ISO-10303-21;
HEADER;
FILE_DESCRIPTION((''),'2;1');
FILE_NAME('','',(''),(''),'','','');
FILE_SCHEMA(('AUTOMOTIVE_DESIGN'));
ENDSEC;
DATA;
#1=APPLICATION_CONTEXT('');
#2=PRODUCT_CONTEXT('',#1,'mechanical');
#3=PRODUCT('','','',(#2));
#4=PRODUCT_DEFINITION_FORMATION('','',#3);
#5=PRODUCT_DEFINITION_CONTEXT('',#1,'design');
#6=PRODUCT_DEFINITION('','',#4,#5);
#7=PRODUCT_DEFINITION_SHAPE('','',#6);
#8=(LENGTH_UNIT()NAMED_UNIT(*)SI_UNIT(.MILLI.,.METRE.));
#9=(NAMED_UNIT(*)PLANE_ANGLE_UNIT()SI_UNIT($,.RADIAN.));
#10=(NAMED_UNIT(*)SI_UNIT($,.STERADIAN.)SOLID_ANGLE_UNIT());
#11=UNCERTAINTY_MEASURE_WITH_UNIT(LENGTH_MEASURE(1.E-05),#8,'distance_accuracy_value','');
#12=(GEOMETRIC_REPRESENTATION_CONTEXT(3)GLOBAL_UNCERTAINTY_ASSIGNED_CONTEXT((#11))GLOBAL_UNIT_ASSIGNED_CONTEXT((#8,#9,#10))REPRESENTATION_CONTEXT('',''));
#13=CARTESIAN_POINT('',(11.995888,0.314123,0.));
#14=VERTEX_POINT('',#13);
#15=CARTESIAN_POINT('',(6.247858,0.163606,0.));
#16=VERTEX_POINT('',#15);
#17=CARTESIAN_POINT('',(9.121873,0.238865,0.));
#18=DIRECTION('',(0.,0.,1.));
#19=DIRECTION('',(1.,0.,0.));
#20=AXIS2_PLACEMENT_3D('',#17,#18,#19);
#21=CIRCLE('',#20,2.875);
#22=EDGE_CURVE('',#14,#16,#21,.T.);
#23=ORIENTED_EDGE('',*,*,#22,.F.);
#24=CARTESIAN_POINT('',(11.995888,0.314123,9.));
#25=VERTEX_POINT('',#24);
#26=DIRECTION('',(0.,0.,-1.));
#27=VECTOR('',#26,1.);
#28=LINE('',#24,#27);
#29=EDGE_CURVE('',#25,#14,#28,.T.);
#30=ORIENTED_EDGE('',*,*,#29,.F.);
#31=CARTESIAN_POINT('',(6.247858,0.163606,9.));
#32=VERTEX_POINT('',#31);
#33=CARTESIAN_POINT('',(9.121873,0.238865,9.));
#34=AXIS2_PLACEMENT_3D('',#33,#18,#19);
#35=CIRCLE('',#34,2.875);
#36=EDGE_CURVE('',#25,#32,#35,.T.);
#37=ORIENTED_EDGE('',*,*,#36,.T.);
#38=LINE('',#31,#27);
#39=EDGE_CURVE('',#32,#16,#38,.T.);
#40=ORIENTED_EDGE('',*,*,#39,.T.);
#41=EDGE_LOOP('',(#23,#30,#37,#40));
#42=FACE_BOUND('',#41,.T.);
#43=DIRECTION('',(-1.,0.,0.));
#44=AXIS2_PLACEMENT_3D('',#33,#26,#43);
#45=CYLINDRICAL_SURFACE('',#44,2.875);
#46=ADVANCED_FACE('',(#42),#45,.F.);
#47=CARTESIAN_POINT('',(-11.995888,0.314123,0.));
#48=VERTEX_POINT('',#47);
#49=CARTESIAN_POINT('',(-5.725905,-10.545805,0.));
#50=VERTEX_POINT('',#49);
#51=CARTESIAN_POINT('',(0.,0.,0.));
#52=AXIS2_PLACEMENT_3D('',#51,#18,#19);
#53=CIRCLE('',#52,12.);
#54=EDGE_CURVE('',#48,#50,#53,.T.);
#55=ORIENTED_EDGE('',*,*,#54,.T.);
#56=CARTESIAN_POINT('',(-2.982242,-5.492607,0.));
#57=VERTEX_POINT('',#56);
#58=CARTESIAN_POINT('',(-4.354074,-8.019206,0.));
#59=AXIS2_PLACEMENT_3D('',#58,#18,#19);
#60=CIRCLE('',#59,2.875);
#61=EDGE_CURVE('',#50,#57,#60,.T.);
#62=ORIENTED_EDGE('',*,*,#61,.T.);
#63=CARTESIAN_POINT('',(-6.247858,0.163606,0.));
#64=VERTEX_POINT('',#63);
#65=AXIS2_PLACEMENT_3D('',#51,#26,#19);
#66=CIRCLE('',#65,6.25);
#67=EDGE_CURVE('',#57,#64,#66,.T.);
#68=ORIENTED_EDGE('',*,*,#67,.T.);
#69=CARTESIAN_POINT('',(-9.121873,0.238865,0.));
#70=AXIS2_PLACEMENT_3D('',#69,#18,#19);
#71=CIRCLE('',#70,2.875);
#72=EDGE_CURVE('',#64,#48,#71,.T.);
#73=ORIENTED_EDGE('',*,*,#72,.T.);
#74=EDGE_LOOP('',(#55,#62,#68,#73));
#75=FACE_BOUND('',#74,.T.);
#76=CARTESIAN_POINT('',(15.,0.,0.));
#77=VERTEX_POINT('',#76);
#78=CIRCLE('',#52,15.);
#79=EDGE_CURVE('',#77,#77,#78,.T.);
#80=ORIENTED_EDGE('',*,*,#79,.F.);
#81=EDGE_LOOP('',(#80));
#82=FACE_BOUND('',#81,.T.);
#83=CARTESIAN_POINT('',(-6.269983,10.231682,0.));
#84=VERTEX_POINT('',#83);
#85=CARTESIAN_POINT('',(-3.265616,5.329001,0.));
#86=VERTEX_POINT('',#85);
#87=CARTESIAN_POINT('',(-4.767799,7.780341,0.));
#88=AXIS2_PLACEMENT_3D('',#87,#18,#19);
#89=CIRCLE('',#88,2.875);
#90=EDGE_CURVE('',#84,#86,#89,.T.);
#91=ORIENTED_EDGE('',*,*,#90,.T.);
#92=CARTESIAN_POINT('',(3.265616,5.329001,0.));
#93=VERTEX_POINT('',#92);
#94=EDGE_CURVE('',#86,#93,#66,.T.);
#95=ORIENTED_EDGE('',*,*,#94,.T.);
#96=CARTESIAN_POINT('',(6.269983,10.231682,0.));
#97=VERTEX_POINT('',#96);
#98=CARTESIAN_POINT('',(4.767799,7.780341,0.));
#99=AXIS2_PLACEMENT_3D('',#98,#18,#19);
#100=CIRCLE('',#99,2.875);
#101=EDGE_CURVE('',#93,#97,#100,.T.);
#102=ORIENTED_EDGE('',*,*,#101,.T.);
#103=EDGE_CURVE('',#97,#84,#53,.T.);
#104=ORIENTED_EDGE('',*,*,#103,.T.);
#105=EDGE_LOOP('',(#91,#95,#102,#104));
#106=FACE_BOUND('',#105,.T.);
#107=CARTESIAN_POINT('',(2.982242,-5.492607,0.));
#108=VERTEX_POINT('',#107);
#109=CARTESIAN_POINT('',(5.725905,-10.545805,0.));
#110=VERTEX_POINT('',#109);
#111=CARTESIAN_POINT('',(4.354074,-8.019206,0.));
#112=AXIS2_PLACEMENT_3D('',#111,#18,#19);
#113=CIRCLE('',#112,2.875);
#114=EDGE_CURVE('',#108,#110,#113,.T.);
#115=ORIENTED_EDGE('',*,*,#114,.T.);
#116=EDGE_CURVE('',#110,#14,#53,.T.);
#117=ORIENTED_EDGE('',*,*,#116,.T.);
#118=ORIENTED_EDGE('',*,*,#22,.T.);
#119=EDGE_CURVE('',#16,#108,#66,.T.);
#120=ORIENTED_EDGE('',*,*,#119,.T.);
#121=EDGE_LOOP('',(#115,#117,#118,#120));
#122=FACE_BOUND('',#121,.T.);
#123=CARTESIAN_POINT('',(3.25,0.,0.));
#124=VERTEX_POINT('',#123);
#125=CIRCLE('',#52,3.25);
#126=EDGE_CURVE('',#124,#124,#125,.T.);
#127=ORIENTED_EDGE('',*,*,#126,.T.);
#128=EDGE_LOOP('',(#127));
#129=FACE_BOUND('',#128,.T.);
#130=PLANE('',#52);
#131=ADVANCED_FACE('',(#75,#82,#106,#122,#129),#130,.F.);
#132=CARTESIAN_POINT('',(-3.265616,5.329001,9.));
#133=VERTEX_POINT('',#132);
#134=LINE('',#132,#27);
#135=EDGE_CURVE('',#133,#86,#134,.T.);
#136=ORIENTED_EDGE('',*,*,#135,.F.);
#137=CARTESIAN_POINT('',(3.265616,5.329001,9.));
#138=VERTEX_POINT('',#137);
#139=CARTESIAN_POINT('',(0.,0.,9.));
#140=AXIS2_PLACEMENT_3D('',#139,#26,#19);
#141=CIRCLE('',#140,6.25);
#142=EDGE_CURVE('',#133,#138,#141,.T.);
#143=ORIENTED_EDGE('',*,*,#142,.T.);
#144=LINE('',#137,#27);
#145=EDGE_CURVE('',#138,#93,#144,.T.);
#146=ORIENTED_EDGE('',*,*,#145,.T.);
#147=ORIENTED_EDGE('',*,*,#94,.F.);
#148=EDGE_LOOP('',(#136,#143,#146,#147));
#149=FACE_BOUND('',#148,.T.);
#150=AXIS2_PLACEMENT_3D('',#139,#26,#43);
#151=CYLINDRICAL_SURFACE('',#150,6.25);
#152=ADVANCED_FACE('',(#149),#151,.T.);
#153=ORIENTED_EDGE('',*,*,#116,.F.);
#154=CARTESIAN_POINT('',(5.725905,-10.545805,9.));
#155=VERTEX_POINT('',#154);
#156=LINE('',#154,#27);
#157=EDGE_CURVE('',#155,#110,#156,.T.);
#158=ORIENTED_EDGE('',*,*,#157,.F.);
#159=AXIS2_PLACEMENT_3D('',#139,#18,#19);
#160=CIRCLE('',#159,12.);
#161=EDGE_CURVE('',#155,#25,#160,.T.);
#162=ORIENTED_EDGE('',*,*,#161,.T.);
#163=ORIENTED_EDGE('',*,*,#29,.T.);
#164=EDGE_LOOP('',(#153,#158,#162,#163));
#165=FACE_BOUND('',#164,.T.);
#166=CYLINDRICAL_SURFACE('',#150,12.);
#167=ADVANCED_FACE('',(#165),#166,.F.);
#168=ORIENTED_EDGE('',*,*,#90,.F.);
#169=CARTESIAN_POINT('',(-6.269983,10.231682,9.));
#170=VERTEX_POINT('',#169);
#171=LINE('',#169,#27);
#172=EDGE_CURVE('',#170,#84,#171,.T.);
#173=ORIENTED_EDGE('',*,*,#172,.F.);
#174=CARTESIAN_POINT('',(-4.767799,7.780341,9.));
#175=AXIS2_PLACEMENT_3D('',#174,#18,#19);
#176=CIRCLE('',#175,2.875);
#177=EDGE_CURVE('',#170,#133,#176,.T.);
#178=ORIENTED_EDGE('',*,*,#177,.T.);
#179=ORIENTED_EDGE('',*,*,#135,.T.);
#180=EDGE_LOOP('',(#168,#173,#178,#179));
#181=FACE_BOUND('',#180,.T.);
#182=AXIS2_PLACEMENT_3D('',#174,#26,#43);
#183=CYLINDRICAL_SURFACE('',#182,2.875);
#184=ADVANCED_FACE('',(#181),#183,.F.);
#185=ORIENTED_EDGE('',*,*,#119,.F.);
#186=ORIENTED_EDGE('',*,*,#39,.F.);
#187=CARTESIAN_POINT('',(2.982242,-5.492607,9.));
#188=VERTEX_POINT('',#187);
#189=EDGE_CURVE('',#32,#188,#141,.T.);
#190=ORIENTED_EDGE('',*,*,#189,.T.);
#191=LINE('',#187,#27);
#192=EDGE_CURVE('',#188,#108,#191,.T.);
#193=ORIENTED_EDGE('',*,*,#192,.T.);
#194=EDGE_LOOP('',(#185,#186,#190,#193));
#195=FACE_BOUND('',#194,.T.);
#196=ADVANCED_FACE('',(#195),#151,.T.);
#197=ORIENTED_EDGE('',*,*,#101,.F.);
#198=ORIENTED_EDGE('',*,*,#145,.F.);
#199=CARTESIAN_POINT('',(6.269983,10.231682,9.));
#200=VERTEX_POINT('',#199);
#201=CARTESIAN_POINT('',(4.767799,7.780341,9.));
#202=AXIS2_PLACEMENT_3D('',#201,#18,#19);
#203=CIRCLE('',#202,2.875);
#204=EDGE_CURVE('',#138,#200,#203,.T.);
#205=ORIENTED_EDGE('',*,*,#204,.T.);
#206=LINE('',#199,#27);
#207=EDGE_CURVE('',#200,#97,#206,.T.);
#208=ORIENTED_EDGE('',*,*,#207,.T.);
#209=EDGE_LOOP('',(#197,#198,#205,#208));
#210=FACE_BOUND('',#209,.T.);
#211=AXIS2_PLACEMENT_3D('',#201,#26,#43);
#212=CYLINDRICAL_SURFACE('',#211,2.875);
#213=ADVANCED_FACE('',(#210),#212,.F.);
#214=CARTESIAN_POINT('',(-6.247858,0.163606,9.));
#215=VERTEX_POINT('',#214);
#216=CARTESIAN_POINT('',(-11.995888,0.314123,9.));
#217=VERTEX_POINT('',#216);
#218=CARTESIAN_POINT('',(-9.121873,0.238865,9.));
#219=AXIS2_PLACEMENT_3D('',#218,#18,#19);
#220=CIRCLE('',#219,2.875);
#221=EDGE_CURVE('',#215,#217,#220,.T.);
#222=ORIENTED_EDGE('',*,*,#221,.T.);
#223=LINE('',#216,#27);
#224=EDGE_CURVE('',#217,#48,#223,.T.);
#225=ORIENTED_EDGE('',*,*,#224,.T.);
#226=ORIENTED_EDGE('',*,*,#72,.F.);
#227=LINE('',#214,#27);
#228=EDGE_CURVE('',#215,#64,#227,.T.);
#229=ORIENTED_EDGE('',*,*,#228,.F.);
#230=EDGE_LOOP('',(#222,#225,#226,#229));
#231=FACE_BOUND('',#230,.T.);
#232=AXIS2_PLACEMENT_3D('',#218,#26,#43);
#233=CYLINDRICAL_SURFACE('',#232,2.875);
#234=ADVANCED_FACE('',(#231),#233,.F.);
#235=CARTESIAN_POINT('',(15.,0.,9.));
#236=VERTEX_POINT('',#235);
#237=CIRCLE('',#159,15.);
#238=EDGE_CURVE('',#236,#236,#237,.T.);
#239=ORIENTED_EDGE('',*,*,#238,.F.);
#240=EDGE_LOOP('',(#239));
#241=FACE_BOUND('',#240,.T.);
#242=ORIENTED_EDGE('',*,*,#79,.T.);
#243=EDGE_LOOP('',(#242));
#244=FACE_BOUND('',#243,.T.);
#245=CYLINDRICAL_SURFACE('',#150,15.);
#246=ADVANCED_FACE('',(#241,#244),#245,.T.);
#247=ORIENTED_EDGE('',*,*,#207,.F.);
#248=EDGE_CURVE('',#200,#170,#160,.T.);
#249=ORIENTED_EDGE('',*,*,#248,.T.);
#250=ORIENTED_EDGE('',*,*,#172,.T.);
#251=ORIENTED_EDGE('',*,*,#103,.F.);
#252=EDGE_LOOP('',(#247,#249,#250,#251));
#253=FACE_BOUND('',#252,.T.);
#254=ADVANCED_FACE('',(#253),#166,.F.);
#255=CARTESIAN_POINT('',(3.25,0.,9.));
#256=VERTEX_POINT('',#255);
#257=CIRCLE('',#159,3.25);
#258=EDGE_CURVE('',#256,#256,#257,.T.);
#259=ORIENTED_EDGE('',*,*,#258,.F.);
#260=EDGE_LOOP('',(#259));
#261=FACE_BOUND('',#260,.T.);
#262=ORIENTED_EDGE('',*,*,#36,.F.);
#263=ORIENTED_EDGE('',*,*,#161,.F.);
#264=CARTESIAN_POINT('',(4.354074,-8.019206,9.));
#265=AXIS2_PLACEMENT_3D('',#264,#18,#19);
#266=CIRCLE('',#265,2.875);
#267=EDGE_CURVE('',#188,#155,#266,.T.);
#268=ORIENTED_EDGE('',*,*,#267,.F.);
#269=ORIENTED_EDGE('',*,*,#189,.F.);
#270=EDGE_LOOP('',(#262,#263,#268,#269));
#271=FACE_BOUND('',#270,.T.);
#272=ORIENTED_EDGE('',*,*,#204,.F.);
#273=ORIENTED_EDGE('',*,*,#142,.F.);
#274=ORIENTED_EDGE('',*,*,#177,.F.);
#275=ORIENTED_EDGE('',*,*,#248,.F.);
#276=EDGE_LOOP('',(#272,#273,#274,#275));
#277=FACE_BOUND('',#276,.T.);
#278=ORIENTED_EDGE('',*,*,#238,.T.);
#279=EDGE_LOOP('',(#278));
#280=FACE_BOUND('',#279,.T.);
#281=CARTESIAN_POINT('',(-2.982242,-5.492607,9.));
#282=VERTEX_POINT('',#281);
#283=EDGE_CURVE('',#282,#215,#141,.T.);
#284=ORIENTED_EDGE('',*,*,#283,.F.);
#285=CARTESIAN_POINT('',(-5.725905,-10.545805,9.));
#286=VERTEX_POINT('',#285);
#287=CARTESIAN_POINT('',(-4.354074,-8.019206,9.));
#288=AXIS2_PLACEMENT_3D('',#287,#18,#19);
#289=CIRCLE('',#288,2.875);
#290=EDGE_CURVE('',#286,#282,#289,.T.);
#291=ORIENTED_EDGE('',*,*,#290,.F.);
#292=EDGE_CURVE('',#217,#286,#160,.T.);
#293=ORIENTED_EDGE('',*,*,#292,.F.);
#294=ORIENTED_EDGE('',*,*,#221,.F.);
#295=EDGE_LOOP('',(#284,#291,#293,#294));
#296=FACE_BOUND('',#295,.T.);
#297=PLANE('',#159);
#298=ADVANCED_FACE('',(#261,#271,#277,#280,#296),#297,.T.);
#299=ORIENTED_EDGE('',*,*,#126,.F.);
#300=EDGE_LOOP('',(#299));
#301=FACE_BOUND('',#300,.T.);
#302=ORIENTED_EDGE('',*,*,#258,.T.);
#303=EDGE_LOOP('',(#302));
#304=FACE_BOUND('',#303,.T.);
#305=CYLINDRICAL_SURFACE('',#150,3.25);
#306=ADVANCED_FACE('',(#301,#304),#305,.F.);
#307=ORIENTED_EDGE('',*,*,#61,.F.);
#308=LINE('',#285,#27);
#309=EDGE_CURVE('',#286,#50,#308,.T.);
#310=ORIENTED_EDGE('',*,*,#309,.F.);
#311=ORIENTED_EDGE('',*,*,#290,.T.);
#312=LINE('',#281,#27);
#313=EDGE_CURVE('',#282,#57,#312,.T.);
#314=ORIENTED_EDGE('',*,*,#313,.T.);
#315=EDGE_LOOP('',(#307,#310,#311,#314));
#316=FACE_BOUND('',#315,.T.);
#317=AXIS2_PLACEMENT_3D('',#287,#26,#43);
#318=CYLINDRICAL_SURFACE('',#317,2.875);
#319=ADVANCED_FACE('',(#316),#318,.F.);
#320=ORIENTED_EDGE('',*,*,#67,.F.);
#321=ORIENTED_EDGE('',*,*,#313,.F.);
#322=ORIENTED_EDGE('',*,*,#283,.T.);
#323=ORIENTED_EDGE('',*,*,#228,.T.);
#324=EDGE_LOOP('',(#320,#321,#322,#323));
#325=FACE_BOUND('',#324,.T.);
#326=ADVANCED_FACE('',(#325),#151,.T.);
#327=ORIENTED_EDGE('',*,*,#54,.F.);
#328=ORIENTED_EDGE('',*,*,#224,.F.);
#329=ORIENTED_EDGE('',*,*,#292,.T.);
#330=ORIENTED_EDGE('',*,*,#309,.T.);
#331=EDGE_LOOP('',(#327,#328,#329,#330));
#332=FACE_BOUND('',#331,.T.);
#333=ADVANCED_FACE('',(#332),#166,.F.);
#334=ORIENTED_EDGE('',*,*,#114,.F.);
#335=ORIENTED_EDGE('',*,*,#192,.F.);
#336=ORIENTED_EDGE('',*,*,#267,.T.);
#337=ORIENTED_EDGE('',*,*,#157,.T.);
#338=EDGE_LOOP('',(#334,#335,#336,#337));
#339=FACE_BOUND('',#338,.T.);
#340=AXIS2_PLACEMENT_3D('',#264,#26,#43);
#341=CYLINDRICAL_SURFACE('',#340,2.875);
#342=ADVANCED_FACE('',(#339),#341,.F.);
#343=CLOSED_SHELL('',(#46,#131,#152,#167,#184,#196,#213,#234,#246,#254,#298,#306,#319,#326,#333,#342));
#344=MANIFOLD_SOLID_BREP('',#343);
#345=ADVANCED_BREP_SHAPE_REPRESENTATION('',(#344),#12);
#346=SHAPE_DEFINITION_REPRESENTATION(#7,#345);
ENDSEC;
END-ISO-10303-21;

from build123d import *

# Parameters (mm, degrees)
SKETCH_1_R      = 15
SKETCH_1_R_2    = 3.25
EXTRUDE_1_DEPTH = 9


with BuildPart() as part:
    # 草图1 → 凸台-拉伸1 (new body)
    with BuildSketch(Plane.XY):
        Circle(SKETCH_1_R)
        Circle(SKETCH_1_R_2, mode=Mode.SUBTRACT)
        with BuildLine():
            ThreePointArc((6.269982777, 10.231681972), (0, 12), (-6.269982777, 10.231681972))
            ThreePointArc((-6.269982777, 10.231681972), (-7.219139876, 6.278158126), (-3.265616029, 5.329001027))
            ThreePointArc((-3.265616029, 5.329001027), (0, 6.25), (3.265616029, 5.329001027))
            ThreePointArc((3.265616029, 5.329001027), (7.219139876, 6.278158126), (6.269982777, 10.231681972))
        make_face(mode=Mode.SUBTRACT)
        with BuildLine():
            ThreePointArc((5.725905123, -10.545805352), (10.392304845, -6), (11.9958879, 0.31412338))
            ThreePointArc((11.9958879, 0.31412338), (9.046614364, 3.112879463), (6.247858281, 0.163605927))
            ThreePointArc((6.247858281, 0.163605927), (5.412658774, -3.125), (2.982242252, -5.492606954))
            ThreePointArc((2.982242252, -5.492606954), (1.827474488, -9.391037589), (5.725905123, -10.545805352))
        make_face(mode=Mode.SUBTRACT)
        with BuildLine():
            ThreePointArc((-11.9958879, 0.31412338), (-10.392304845, -6), (-5.725905123, -10.545805352))
            ThreePointArc((-5.725905123, -10.545805352), (-1.827474488, -9.391037589), (-2.982242252, -5.492606954))
            ThreePointArc((-2.982242252, -5.492606954), (-5.412658774, -3.125), (-6.247858281, 0.163605927))
            ThreePointArc((-6.247858281, 0.163605927), (-9.046614364, 3.112879463), (-11.9958879, 0.31412338))
        make_face(mode=Mode.SUBTRACT)
    extrude(amount=EXTRUDE_1_DEPTH)


solid = part.part
